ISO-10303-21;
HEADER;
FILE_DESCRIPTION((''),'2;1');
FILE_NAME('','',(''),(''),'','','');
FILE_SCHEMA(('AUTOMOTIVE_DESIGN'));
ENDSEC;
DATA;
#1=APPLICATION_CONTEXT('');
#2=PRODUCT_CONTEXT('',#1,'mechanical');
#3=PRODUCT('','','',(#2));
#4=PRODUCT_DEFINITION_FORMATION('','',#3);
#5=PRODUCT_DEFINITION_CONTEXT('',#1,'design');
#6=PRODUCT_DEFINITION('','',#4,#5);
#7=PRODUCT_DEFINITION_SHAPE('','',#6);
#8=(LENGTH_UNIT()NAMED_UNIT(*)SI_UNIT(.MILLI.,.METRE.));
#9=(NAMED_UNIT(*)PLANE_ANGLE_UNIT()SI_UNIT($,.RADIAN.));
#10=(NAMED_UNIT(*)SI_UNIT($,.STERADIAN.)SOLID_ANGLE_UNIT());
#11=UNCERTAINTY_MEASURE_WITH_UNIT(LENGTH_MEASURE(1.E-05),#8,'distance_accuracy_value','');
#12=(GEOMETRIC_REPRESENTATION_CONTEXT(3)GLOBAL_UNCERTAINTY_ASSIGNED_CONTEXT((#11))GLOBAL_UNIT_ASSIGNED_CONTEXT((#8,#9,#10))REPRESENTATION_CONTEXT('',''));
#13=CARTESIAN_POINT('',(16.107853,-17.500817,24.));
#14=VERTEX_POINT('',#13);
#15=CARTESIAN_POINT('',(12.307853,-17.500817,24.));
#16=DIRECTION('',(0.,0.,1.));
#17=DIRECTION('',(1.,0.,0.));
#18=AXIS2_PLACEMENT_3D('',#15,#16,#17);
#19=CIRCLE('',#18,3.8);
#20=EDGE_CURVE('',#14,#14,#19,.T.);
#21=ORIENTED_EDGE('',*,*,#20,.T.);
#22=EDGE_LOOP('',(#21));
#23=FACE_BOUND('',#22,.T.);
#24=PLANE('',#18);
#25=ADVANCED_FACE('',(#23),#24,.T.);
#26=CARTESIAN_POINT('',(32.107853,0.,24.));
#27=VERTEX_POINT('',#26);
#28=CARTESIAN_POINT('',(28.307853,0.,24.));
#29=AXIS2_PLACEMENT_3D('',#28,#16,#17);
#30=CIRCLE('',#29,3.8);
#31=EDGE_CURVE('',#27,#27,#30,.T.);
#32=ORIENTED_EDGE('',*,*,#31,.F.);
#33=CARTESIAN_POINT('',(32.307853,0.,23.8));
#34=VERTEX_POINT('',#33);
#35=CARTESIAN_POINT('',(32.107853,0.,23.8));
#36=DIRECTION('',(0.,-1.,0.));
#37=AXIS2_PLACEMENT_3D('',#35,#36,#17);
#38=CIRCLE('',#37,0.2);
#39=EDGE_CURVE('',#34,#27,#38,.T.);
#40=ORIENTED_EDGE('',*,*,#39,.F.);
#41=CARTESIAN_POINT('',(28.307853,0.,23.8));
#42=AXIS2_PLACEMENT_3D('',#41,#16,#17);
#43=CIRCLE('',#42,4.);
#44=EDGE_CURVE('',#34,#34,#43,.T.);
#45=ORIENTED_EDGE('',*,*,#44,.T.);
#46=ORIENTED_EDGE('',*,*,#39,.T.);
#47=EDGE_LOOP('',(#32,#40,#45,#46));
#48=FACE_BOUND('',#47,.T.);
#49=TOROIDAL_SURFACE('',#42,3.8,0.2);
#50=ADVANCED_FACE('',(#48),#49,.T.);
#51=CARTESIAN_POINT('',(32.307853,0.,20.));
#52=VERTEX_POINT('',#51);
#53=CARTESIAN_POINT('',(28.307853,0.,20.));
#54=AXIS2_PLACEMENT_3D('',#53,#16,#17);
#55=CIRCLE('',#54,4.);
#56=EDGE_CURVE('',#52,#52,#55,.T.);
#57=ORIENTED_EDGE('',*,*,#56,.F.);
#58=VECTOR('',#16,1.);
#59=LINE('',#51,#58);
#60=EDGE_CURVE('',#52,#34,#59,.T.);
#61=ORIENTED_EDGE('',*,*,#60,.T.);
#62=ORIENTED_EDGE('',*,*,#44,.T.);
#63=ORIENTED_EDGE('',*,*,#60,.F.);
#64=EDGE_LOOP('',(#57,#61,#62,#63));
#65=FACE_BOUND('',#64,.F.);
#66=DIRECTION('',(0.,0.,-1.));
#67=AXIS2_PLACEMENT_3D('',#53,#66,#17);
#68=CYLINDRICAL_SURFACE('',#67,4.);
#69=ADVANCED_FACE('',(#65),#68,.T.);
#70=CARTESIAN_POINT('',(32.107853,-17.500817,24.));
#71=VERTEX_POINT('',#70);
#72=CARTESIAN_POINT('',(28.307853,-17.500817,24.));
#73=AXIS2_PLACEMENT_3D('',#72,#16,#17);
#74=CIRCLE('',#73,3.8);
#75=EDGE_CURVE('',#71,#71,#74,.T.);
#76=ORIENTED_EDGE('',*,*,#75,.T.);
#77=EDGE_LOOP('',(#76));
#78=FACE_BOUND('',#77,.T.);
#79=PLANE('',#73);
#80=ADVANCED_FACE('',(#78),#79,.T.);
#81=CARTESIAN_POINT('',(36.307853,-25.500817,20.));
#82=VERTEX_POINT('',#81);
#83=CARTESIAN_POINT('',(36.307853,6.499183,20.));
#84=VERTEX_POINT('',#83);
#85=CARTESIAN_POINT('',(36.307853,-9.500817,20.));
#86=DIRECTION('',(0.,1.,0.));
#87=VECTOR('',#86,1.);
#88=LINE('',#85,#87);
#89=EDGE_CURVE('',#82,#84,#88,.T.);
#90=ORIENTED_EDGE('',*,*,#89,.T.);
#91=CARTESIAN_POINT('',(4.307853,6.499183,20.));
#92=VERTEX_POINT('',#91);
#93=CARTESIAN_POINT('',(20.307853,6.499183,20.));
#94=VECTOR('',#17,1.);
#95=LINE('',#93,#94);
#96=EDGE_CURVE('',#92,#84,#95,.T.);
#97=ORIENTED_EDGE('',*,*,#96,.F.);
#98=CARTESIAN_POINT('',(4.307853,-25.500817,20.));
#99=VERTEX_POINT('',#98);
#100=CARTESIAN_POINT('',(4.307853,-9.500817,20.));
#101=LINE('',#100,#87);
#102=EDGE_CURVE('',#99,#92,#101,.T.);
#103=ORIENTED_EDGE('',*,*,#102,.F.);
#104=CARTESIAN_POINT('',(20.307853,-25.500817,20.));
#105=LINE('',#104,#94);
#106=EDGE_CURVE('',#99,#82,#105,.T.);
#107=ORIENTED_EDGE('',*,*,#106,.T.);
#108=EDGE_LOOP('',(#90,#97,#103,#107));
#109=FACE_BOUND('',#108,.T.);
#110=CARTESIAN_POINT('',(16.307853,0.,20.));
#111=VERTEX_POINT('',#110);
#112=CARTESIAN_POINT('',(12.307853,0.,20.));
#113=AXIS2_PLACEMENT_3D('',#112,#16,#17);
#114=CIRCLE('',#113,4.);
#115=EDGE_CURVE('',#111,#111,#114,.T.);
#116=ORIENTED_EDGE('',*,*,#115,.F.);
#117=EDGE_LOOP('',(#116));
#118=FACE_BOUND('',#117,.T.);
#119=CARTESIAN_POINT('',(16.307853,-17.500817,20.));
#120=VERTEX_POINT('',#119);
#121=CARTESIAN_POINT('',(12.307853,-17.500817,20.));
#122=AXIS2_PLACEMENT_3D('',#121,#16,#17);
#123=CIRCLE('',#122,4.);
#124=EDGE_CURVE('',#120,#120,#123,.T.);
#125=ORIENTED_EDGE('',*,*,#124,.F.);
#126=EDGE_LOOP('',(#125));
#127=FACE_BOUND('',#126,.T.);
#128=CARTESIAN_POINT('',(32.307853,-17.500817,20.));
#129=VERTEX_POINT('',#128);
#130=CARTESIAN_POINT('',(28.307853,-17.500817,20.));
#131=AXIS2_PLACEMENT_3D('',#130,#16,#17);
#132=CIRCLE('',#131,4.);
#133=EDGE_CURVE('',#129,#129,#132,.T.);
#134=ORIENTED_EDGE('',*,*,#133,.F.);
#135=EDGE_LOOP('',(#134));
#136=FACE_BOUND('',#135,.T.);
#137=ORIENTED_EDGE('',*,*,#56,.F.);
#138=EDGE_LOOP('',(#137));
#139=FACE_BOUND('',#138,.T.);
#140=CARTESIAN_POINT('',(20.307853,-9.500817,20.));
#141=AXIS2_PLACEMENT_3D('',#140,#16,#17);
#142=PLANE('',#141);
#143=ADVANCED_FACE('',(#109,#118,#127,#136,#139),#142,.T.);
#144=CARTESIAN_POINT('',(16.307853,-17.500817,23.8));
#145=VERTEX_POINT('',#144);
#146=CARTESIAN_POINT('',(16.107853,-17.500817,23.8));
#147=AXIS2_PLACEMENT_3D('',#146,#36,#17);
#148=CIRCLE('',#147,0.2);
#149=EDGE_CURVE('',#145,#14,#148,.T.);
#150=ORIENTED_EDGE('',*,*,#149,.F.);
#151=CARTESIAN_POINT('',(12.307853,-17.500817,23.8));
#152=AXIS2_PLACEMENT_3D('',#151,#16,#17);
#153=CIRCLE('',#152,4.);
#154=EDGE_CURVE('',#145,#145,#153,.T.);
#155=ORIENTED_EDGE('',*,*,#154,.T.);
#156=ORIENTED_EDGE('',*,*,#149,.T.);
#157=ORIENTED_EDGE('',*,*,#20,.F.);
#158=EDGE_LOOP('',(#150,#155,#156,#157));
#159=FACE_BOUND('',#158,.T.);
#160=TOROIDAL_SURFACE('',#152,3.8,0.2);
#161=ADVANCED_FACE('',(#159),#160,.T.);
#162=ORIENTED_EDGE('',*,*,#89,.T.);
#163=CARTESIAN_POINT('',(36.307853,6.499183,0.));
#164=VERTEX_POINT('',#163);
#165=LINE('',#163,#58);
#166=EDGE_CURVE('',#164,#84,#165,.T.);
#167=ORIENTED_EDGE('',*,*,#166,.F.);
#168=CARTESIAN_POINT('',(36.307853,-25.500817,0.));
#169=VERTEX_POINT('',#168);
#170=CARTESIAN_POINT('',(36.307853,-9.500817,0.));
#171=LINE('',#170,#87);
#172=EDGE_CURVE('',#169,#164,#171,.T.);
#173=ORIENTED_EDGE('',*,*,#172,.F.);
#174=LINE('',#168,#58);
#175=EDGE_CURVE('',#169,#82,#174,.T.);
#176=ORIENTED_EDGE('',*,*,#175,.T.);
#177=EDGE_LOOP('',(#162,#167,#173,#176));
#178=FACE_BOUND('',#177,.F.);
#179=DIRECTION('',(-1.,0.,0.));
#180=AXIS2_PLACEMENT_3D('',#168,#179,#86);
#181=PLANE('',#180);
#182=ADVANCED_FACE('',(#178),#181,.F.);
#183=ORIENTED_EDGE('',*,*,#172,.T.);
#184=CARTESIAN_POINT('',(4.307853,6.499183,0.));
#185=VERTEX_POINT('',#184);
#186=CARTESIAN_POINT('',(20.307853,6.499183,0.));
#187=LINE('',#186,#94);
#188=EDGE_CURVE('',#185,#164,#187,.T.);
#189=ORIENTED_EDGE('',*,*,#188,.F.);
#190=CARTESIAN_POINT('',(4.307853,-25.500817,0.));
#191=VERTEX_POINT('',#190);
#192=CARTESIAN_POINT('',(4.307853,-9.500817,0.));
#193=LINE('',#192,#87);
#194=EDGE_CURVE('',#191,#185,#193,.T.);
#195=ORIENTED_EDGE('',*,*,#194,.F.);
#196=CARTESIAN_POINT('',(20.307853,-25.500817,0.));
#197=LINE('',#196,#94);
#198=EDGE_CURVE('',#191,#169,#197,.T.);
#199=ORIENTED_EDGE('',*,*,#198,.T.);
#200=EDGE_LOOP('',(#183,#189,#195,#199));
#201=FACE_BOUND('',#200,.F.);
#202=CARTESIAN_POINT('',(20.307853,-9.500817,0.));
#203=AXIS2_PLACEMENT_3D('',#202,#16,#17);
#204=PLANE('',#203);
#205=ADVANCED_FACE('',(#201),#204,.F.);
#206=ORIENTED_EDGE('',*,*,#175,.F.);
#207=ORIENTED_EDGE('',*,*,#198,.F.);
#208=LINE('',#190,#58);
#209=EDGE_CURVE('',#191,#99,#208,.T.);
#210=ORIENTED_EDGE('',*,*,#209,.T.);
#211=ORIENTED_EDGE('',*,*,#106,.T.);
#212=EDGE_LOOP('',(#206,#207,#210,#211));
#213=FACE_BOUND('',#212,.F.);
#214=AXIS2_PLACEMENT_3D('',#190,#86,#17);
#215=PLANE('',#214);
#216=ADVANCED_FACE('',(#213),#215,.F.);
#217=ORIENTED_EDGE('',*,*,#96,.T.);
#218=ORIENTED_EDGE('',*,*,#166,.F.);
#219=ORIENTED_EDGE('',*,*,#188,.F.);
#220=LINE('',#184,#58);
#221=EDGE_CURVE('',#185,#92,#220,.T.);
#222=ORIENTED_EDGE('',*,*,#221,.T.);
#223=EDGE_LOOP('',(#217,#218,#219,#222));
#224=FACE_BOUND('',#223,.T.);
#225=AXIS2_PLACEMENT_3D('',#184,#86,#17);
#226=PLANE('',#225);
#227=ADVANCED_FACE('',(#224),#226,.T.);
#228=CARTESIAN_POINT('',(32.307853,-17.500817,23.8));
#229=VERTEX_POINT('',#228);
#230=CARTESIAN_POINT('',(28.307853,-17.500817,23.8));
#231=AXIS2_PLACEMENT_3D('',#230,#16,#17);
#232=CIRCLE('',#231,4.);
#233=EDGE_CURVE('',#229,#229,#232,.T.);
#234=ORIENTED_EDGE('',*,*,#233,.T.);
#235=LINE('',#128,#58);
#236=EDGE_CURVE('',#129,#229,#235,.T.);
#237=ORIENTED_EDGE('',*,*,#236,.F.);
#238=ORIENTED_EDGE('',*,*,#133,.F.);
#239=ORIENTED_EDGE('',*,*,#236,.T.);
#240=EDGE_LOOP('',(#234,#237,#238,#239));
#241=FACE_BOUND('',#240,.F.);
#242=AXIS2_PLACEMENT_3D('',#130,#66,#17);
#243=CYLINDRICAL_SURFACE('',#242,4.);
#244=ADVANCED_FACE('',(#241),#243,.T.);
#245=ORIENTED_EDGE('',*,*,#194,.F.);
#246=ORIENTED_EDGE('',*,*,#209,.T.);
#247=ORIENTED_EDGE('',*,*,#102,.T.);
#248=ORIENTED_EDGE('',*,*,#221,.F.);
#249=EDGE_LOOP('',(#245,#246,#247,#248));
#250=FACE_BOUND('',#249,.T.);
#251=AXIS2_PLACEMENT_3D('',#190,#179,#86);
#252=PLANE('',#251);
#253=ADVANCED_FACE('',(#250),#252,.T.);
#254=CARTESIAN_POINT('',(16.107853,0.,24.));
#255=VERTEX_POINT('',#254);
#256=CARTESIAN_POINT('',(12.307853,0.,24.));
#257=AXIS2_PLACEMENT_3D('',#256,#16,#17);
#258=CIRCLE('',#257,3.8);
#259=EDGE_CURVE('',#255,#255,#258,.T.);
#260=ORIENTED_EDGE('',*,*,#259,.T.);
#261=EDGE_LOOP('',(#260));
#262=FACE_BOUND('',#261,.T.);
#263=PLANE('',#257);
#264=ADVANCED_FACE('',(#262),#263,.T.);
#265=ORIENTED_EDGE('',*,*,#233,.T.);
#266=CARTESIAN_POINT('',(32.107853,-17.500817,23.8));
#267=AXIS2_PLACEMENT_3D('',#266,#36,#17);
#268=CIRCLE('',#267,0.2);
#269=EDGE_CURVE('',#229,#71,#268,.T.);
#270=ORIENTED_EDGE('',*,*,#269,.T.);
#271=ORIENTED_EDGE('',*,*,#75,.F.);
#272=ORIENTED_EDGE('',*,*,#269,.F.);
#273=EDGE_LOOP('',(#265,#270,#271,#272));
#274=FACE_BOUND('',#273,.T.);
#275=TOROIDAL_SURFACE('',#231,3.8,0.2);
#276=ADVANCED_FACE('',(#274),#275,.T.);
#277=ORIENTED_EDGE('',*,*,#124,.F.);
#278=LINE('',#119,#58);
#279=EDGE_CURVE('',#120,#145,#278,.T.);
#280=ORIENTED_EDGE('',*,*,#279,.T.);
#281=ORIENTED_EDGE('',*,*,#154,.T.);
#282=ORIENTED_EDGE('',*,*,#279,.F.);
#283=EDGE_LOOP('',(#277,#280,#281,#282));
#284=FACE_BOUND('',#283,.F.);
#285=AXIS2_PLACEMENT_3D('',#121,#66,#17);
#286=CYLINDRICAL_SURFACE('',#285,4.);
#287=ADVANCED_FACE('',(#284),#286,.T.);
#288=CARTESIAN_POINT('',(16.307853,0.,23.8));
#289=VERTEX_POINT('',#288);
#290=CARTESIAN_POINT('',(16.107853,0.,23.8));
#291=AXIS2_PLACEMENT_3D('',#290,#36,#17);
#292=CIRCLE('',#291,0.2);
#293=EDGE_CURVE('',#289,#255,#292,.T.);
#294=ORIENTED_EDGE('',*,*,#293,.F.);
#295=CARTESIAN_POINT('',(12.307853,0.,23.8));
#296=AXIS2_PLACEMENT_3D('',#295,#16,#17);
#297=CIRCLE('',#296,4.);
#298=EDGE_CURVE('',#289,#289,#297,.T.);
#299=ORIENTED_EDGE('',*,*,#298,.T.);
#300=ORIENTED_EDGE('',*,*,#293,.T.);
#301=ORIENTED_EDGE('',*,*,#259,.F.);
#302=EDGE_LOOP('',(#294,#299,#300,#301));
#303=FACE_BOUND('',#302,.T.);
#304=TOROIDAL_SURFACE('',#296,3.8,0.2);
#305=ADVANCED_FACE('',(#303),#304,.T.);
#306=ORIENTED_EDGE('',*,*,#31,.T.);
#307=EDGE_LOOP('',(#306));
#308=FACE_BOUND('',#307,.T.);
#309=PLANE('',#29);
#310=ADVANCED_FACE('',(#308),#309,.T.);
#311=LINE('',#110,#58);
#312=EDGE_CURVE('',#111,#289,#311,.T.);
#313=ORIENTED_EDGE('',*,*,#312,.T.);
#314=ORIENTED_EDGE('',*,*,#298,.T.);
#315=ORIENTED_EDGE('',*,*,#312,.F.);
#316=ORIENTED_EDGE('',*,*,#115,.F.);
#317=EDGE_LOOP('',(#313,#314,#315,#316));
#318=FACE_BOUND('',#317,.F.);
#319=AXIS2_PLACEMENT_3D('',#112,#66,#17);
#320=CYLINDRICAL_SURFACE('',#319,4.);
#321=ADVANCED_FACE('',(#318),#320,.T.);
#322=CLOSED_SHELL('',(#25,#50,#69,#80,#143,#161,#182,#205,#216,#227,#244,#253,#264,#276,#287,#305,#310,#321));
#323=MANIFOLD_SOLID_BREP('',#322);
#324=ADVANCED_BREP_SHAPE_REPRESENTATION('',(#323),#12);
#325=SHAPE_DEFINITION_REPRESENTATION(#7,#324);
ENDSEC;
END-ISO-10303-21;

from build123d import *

# Parameters (mm, degrees)
F0_W      = 32
F0_H      = 32
F1_DEPTH  = 20
F2_R      = 4
F3_DEPTH  = 4
F4_R      = 4
F5_DEPTH  = 4
F7_R      = 4
F8_DEPTH  = 4
F10_R     = 4
F11_DEPTH = 4
F12_R     = 0.2
F13_R     = 0.2
F14_R     = 0.2
F15_R     = 0.2


with BuildPart() as f1:
    # F0 (on Top) → F1 (new body)
    with BuildSketch(Plane.XY):
        with Locations((20.307853, -9.500817)):
            Rectangle(F0_W, F0_H)
    extrude(amount=F1_DEPTH)

    # F2 (on face) → F3 (join)
    with BuildSketch(Plane.XY.offset(20)):
        with Locations((12.307853, 0)):
            Circle(F2_R)
    extrude(amount=F3_DEPTH)

    # F4 (on face) → F5 (join)
    with BuildSketch(Plane.XY.offset(20)):
        with Locations((28.307853, 0)):
            Circle(F4_R)
    extrude(amount=F5_DEPTH)

    # F7 (on face) → F8 (join)
    with BuildSketch(Plane.XY.offset(20)):
        with Locations((12.307853, -17.500817)):
            Circle(F7_R)
    extrude(amount=F8_DEPTH)

    # F10 (on face) → F11 (join)
    with BuildSketch(Plane.XY.offset(20)):
        with Locations((28.307853, -17.500817)):
            Circle(F10_R)
    extrude(amount=F11_DEPTH)

    # F12
    f12_edges = [f1.edges().sort_by_distance(p)[0] for p in [
        (8.307853, 0, 24),
    ]]
    fillet(f12_edges, radius=F12_R)

    # F13
    f13_edges = [f1.edges().sort_by_distance(p)[0] for p in [
        (8.307853, -17.500817, 24),
    ]]
    fillet(f13_edges, radius=F13_R)

    # F14
    f14_edges = [f1.edges().sort_by_distance(p)[0] for p in [
        (24.307853, -17.500817, 24),
    ]]
    fillet(f14_edges, radius=F14_R)

    # F15
    f15_edges = [f1.edges().sort_by_distance(p)[0] for p in [
        (24.307853, 0, 24),
    ]]
    fillet(f15_edges, radius=F15_R)


solid = f1.part
